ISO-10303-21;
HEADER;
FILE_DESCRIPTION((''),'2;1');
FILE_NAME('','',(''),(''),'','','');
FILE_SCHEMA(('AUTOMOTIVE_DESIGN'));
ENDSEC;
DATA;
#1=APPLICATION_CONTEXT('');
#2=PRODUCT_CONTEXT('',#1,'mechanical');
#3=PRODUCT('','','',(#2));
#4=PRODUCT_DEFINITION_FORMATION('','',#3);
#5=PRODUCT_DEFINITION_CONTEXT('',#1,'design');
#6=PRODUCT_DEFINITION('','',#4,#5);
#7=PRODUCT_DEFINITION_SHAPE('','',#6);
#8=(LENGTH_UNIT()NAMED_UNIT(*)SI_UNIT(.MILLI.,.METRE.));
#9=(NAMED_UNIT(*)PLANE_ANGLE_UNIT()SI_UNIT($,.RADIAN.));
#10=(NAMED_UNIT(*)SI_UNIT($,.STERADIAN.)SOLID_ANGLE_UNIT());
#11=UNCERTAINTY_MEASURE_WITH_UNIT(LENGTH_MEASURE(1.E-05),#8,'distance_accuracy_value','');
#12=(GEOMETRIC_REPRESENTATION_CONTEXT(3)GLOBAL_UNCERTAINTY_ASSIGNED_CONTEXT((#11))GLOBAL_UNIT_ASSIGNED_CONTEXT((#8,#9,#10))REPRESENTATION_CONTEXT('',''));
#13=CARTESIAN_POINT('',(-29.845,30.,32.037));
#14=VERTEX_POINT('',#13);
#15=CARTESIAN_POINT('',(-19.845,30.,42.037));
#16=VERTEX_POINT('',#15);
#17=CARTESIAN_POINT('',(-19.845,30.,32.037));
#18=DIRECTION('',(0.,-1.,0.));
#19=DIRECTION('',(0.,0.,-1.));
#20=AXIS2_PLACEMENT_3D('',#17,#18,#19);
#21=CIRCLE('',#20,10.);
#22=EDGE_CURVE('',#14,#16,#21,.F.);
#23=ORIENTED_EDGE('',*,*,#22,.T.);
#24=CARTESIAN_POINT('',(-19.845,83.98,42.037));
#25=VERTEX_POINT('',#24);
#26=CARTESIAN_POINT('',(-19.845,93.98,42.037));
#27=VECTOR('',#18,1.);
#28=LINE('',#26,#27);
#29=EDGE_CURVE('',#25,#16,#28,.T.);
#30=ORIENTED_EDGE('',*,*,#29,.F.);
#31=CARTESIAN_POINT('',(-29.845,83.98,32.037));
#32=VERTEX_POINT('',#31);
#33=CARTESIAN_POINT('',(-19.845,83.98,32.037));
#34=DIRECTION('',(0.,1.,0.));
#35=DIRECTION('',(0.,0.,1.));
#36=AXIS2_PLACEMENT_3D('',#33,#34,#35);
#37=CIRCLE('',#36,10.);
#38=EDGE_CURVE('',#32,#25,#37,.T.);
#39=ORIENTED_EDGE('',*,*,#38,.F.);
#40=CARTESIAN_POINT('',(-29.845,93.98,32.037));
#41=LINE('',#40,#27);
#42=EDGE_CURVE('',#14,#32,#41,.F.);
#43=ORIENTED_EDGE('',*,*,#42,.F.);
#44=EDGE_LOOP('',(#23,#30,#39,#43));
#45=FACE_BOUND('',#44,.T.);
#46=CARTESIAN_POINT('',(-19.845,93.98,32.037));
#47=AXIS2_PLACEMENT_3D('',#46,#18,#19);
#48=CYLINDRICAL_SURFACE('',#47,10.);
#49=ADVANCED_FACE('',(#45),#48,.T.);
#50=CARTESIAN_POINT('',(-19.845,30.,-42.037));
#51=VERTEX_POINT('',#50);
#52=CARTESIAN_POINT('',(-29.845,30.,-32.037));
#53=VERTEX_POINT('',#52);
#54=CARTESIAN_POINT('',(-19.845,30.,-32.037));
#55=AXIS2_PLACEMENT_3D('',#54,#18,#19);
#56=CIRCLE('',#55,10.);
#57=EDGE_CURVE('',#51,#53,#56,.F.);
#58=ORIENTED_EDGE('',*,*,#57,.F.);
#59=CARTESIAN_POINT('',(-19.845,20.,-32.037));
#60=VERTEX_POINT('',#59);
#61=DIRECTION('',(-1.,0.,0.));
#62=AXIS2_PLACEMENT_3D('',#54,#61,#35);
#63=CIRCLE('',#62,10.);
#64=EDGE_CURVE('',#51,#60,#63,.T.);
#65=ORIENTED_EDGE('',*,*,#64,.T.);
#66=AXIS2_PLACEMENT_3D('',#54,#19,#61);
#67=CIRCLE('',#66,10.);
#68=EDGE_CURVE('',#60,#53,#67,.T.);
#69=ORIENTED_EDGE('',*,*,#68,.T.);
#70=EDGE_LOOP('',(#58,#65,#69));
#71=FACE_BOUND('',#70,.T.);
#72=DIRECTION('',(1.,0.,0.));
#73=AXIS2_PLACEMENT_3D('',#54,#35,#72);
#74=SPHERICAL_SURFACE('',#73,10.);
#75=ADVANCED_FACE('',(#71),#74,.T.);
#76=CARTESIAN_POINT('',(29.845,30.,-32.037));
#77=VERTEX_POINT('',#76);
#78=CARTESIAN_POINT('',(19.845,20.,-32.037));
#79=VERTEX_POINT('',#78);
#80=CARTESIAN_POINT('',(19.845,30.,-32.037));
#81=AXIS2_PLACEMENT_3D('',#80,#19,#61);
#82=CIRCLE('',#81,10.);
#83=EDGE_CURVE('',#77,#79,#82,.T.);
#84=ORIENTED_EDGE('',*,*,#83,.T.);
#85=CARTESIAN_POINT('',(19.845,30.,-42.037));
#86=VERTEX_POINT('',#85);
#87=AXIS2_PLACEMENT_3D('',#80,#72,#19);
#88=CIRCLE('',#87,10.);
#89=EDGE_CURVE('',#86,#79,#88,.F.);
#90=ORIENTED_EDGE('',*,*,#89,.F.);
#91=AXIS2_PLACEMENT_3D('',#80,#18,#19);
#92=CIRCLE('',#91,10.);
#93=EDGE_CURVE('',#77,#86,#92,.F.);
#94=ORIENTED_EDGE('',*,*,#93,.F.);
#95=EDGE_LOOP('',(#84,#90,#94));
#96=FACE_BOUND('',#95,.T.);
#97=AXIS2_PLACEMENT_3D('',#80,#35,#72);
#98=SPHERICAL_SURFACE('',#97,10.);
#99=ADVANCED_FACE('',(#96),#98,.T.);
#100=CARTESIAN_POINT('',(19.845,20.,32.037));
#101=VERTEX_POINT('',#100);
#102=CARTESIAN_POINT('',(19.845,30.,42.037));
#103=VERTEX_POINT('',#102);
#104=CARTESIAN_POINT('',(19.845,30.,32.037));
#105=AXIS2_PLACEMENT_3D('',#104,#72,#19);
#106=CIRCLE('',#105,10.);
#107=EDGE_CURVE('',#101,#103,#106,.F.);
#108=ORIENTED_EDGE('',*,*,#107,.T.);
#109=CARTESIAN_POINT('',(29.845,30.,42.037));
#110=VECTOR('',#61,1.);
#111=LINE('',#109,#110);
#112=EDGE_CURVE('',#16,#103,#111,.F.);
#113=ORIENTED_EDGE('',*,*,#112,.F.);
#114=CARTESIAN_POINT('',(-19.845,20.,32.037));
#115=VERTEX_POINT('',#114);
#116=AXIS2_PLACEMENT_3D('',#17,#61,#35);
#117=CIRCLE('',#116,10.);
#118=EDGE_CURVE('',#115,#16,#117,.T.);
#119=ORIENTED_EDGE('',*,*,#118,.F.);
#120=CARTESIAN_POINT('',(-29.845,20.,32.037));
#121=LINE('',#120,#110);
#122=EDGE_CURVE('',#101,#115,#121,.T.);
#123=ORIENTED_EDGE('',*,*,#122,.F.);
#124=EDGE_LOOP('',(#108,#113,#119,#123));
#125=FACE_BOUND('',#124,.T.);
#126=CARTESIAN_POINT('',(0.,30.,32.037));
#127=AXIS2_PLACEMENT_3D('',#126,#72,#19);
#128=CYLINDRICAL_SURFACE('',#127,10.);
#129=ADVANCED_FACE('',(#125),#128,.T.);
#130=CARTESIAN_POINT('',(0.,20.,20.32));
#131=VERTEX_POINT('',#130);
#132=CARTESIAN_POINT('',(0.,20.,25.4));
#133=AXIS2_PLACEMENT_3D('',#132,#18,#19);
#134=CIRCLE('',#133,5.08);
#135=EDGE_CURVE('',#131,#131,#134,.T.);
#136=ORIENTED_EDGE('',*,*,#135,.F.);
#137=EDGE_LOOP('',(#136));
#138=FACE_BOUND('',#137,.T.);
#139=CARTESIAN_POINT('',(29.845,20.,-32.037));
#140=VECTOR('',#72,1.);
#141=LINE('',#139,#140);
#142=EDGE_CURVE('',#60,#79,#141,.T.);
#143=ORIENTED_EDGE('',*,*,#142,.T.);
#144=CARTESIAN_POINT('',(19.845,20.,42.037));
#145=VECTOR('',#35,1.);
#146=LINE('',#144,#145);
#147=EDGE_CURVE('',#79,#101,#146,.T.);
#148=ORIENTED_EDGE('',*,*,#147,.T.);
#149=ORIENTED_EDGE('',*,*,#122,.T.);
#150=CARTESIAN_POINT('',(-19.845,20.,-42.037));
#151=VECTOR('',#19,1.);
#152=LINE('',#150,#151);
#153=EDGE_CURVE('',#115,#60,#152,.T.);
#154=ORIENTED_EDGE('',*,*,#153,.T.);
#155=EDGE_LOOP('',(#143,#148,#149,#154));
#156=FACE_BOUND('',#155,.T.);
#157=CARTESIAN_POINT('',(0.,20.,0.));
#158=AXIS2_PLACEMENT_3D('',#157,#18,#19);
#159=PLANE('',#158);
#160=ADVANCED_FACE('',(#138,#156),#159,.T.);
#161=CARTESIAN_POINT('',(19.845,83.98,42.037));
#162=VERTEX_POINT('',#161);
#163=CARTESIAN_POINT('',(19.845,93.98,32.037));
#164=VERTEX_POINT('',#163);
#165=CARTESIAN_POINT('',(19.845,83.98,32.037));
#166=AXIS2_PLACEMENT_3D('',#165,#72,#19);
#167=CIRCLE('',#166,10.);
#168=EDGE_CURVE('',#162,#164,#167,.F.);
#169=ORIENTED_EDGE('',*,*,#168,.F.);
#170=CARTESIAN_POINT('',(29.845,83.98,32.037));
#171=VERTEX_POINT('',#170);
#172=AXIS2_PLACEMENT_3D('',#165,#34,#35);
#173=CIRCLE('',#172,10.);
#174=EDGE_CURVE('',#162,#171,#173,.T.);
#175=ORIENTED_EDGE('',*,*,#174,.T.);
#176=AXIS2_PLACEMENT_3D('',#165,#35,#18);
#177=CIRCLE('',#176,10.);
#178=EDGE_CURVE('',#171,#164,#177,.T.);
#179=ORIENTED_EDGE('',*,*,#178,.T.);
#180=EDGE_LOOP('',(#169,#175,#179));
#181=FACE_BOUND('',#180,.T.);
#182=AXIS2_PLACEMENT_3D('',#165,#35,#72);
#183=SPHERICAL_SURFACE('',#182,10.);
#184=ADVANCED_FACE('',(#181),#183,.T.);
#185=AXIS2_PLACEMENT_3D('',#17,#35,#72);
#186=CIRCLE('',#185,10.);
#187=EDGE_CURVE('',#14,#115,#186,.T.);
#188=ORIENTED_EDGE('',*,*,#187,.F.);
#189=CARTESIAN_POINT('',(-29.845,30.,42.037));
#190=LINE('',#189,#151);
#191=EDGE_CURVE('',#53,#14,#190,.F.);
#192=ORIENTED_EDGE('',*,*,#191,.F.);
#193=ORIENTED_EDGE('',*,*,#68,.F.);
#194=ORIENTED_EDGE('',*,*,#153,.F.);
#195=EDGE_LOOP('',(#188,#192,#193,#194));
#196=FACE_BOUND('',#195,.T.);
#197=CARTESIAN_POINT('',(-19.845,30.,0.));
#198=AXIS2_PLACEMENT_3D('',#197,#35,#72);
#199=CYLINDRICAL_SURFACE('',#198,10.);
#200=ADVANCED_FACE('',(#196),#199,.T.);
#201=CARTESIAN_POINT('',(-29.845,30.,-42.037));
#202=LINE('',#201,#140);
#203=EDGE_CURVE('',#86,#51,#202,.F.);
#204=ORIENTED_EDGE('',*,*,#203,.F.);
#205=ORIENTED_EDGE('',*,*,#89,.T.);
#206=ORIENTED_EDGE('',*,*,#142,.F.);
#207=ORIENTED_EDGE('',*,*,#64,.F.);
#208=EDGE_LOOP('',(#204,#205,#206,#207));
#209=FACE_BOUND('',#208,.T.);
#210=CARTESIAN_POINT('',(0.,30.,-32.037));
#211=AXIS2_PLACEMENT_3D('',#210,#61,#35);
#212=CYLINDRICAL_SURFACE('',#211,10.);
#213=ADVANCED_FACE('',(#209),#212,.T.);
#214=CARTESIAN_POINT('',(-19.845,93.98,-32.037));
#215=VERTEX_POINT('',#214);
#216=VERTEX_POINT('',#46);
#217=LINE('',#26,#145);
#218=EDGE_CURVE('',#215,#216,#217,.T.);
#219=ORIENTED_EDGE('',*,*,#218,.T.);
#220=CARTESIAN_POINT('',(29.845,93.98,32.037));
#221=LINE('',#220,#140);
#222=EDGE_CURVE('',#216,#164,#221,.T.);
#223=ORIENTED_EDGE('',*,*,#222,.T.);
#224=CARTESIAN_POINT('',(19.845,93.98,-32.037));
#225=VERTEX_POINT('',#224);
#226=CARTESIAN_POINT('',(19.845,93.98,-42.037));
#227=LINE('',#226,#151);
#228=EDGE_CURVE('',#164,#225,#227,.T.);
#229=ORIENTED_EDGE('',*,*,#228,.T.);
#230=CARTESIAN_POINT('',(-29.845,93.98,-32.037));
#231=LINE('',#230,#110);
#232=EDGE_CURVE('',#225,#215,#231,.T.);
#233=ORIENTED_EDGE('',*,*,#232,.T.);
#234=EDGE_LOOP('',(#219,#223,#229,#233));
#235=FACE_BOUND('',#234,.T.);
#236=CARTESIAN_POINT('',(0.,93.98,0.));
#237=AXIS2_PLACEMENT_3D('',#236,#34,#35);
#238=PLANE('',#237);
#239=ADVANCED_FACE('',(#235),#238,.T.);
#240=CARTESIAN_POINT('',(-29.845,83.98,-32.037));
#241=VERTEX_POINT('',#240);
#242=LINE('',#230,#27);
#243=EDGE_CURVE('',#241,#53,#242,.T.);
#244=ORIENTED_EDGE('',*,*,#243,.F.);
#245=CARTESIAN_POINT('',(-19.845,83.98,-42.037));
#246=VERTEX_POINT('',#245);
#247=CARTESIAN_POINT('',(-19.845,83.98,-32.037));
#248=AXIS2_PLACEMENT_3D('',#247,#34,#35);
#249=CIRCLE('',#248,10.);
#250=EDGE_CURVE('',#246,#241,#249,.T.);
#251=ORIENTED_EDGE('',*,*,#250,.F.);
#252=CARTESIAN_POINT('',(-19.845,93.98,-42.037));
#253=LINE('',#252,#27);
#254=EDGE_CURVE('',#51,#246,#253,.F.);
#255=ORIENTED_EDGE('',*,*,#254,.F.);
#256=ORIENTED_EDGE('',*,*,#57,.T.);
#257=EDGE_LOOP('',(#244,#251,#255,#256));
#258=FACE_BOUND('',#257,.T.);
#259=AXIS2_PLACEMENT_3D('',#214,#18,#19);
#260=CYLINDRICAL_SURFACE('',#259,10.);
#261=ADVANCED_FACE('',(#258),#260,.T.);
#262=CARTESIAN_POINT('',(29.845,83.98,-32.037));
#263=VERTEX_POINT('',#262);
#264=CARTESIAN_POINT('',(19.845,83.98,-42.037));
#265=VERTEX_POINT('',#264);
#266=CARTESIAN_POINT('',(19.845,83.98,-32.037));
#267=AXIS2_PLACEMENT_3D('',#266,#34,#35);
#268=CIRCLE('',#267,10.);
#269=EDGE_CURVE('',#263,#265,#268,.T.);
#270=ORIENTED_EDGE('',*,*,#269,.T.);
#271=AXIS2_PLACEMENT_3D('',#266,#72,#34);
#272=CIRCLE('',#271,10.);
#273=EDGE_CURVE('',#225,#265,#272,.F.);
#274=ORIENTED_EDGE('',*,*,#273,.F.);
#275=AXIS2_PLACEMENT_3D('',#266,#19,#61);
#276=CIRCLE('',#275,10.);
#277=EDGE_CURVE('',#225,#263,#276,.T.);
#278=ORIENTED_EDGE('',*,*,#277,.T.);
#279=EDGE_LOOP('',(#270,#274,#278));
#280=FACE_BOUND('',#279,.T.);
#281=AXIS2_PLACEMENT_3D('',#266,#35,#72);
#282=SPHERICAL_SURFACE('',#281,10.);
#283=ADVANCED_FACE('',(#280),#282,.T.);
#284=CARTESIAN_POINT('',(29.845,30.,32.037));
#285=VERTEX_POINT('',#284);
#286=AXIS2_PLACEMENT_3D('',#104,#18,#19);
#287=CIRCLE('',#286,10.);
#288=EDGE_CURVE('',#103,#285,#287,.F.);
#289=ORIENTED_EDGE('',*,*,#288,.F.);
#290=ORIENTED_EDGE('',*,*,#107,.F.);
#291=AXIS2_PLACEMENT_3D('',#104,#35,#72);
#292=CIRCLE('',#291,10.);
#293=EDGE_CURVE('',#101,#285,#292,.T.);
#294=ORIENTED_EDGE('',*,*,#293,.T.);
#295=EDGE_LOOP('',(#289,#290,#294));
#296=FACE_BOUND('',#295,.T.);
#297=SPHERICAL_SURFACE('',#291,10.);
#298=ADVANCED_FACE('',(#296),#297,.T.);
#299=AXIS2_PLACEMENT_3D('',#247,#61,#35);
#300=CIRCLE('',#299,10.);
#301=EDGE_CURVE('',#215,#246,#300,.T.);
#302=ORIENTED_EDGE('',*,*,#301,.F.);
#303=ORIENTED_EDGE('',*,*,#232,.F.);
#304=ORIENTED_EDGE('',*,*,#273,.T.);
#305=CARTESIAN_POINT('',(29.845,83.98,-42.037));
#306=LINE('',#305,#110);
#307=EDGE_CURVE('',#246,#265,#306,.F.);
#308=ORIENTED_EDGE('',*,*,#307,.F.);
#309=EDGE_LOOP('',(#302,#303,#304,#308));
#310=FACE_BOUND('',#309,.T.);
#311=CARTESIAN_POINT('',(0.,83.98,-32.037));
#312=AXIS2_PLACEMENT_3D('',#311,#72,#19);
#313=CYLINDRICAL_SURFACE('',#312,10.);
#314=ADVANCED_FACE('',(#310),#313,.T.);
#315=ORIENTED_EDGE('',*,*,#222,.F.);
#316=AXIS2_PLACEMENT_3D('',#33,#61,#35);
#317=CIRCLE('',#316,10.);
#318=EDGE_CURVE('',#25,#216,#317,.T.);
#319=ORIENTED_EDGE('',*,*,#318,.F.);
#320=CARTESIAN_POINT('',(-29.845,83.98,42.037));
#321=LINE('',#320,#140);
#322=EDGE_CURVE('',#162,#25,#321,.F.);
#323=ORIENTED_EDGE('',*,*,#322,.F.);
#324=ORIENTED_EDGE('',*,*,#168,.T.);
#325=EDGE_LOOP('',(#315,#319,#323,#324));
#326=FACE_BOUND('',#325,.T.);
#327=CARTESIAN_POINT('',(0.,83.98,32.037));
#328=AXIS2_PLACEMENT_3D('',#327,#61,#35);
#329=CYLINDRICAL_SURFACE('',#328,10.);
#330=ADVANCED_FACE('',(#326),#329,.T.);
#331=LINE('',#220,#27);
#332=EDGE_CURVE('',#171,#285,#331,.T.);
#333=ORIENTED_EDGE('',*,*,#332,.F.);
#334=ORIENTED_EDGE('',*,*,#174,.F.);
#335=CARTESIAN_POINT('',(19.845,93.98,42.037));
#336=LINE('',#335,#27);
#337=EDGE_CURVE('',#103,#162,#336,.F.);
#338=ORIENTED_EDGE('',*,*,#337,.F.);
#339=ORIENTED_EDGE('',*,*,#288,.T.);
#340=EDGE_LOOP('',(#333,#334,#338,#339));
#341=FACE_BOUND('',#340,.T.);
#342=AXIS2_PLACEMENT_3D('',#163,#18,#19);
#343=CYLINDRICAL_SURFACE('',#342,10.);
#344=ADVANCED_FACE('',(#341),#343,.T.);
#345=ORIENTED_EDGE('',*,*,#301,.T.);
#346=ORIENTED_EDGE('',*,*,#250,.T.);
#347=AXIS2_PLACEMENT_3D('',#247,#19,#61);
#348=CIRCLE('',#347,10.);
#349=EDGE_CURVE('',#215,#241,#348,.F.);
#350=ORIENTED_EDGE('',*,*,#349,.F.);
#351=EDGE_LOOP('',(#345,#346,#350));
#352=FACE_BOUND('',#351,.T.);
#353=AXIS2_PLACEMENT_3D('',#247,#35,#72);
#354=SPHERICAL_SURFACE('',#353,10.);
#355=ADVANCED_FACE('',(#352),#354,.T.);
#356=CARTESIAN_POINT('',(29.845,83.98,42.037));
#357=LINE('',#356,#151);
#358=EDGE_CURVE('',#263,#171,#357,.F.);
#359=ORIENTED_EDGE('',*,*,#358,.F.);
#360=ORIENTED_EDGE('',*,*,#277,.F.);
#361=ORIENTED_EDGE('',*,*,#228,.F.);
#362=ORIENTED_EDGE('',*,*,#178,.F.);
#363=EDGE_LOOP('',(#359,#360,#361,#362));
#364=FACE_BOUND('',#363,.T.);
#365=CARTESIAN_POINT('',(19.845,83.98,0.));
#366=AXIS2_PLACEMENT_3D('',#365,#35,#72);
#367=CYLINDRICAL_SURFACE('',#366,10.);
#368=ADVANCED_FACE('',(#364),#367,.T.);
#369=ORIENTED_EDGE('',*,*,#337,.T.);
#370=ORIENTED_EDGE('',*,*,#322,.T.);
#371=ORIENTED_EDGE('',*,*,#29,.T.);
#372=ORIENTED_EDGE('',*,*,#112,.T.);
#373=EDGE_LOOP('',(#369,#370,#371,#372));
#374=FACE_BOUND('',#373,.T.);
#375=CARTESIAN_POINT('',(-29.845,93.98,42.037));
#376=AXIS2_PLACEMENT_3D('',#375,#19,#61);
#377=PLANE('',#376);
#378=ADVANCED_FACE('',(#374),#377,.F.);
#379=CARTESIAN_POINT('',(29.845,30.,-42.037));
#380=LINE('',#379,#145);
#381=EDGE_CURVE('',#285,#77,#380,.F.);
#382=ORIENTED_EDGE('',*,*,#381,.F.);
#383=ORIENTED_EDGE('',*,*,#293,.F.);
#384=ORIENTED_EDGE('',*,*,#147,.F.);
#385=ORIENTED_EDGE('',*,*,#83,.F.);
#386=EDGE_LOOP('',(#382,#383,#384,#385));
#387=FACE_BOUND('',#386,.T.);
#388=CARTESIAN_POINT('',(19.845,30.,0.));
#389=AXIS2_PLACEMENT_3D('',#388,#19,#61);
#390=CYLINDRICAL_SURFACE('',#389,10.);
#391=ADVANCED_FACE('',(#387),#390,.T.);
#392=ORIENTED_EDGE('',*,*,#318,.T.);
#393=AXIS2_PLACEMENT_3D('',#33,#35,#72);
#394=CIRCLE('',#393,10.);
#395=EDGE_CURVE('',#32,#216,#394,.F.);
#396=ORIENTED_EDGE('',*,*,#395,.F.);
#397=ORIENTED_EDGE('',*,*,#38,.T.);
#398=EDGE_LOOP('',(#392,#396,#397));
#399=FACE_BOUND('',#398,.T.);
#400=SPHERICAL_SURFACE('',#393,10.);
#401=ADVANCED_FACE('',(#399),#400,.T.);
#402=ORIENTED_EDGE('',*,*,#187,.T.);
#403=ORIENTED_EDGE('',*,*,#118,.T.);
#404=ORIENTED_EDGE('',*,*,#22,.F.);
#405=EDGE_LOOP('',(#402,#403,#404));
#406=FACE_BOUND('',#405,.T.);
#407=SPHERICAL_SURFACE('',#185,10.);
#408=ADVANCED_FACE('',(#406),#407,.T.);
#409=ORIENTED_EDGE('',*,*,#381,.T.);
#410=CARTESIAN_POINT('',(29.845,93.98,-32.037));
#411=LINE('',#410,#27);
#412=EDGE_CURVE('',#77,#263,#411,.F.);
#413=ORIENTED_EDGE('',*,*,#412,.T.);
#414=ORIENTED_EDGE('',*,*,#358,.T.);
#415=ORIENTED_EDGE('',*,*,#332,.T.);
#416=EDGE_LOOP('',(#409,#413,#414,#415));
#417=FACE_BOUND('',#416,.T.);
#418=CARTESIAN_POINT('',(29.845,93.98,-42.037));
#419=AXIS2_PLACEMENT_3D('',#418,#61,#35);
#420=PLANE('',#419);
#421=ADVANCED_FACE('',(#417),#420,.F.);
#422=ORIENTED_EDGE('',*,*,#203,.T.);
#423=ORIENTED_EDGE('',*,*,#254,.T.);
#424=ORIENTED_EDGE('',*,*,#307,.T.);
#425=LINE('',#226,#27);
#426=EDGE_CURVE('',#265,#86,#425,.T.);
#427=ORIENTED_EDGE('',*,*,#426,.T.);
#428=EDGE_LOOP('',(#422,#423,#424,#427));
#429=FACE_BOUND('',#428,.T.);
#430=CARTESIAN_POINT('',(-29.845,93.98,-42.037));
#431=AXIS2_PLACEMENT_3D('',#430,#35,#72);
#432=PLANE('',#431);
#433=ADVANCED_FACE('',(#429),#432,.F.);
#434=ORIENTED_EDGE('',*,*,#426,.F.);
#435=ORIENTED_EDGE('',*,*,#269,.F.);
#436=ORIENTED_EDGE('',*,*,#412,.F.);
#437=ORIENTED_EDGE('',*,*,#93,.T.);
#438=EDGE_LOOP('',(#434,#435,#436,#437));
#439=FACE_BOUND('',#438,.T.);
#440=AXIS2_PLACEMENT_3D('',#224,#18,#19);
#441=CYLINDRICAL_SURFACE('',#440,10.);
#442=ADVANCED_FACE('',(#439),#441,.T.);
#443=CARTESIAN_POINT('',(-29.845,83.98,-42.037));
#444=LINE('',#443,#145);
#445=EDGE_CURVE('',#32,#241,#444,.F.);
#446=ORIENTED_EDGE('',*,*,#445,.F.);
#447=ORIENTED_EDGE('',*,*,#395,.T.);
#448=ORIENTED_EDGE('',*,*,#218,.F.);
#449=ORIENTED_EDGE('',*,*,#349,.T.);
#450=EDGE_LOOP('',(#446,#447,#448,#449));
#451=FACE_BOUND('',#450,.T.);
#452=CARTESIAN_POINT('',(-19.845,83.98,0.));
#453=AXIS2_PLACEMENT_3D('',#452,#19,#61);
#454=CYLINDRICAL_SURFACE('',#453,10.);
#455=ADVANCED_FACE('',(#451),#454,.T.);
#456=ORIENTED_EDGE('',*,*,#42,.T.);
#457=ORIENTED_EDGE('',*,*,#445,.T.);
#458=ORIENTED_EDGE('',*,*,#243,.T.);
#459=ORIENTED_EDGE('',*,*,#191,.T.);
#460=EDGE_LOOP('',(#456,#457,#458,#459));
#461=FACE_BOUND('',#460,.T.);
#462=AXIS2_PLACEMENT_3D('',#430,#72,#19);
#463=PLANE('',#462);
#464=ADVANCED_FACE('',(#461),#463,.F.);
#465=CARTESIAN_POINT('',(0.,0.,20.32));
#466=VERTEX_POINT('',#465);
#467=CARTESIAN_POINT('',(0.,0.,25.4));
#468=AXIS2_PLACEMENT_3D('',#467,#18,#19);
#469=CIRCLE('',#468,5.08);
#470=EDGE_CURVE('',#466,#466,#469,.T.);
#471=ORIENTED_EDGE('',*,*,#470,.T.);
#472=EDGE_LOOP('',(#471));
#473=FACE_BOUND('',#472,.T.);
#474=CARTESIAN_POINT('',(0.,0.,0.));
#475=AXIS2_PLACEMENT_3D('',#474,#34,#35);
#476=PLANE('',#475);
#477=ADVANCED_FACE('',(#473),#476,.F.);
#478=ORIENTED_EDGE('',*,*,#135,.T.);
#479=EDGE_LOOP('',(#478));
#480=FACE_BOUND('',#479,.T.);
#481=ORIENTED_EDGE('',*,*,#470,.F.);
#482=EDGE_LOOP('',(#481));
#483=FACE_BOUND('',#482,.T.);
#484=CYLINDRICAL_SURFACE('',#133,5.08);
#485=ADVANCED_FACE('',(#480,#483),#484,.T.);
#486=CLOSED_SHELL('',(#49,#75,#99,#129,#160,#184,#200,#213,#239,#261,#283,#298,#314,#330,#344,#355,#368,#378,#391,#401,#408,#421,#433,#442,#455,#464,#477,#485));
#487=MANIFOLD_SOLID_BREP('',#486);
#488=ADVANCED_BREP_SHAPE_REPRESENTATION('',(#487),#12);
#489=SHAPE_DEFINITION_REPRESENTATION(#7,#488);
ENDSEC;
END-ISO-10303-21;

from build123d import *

# Parameters (mm, degrees)
SKETCH3_W           = 59.69
SKETCH3_H           = 84.074
BOSS_EXTRUDE1_DEPTH = 93.98
SKETCH4_W           = 59.69
SKETCH4_H           = 84.074
SKETCH4_R           = 5.08
CUT_EXTRUDE1_DEPTH  = 20
FILLET1_R           = 10


with BuildPart() as part:
    # Sketch3 → Boss-Extrude1 (new body)
    with BuildSketch(Plane(origin=(0, 0, 0), x_dir=(1, 0, 0), z_dir=(0, 1, 0))):
        Rectangle(SKETCH3_W, SKETCH3_H)
    extrude(amount=BOSS_EXTRUDE1_DEPTH)

    # Sketch4 → Cut-Extrude1 (cut)
    with BuildSketch(Plane.XZ):
        Rectangle(SKETCH4_W, SKETCH4_H)
        with Locations((0, 25.4)):
            Circle(SKETCH4_R, mode=Mode.SUBTRACT)
    extrude(amount=-CUT_EXTRUDE1_DEPTH, mode=Mode.SUBTRACT)

    # Fillet1
    fillet1_edges = [part.edges().sort_by_distance(p)[0] for p in [
        (-29.845, 93.98, 0),
        (0, 93.98, 42.037),
        (0, 20, -42.037),
        (-29.845, 20, 0),
        (0, 20, 42.037),
        (29.845, 20, 0),
        (29.845, 93.98, 0),
        (0, 93.98, -42.037),
        (29.845, 56.99, 42.037),
        (-29.845, 56.99, 42.037),
        (-29.845, 56.99, -42.037),
        (29.845, 56.99, -42.037),
    ]]
    fillet(fillet1_edges, radius=FILLET1_R)


solid = part.part
